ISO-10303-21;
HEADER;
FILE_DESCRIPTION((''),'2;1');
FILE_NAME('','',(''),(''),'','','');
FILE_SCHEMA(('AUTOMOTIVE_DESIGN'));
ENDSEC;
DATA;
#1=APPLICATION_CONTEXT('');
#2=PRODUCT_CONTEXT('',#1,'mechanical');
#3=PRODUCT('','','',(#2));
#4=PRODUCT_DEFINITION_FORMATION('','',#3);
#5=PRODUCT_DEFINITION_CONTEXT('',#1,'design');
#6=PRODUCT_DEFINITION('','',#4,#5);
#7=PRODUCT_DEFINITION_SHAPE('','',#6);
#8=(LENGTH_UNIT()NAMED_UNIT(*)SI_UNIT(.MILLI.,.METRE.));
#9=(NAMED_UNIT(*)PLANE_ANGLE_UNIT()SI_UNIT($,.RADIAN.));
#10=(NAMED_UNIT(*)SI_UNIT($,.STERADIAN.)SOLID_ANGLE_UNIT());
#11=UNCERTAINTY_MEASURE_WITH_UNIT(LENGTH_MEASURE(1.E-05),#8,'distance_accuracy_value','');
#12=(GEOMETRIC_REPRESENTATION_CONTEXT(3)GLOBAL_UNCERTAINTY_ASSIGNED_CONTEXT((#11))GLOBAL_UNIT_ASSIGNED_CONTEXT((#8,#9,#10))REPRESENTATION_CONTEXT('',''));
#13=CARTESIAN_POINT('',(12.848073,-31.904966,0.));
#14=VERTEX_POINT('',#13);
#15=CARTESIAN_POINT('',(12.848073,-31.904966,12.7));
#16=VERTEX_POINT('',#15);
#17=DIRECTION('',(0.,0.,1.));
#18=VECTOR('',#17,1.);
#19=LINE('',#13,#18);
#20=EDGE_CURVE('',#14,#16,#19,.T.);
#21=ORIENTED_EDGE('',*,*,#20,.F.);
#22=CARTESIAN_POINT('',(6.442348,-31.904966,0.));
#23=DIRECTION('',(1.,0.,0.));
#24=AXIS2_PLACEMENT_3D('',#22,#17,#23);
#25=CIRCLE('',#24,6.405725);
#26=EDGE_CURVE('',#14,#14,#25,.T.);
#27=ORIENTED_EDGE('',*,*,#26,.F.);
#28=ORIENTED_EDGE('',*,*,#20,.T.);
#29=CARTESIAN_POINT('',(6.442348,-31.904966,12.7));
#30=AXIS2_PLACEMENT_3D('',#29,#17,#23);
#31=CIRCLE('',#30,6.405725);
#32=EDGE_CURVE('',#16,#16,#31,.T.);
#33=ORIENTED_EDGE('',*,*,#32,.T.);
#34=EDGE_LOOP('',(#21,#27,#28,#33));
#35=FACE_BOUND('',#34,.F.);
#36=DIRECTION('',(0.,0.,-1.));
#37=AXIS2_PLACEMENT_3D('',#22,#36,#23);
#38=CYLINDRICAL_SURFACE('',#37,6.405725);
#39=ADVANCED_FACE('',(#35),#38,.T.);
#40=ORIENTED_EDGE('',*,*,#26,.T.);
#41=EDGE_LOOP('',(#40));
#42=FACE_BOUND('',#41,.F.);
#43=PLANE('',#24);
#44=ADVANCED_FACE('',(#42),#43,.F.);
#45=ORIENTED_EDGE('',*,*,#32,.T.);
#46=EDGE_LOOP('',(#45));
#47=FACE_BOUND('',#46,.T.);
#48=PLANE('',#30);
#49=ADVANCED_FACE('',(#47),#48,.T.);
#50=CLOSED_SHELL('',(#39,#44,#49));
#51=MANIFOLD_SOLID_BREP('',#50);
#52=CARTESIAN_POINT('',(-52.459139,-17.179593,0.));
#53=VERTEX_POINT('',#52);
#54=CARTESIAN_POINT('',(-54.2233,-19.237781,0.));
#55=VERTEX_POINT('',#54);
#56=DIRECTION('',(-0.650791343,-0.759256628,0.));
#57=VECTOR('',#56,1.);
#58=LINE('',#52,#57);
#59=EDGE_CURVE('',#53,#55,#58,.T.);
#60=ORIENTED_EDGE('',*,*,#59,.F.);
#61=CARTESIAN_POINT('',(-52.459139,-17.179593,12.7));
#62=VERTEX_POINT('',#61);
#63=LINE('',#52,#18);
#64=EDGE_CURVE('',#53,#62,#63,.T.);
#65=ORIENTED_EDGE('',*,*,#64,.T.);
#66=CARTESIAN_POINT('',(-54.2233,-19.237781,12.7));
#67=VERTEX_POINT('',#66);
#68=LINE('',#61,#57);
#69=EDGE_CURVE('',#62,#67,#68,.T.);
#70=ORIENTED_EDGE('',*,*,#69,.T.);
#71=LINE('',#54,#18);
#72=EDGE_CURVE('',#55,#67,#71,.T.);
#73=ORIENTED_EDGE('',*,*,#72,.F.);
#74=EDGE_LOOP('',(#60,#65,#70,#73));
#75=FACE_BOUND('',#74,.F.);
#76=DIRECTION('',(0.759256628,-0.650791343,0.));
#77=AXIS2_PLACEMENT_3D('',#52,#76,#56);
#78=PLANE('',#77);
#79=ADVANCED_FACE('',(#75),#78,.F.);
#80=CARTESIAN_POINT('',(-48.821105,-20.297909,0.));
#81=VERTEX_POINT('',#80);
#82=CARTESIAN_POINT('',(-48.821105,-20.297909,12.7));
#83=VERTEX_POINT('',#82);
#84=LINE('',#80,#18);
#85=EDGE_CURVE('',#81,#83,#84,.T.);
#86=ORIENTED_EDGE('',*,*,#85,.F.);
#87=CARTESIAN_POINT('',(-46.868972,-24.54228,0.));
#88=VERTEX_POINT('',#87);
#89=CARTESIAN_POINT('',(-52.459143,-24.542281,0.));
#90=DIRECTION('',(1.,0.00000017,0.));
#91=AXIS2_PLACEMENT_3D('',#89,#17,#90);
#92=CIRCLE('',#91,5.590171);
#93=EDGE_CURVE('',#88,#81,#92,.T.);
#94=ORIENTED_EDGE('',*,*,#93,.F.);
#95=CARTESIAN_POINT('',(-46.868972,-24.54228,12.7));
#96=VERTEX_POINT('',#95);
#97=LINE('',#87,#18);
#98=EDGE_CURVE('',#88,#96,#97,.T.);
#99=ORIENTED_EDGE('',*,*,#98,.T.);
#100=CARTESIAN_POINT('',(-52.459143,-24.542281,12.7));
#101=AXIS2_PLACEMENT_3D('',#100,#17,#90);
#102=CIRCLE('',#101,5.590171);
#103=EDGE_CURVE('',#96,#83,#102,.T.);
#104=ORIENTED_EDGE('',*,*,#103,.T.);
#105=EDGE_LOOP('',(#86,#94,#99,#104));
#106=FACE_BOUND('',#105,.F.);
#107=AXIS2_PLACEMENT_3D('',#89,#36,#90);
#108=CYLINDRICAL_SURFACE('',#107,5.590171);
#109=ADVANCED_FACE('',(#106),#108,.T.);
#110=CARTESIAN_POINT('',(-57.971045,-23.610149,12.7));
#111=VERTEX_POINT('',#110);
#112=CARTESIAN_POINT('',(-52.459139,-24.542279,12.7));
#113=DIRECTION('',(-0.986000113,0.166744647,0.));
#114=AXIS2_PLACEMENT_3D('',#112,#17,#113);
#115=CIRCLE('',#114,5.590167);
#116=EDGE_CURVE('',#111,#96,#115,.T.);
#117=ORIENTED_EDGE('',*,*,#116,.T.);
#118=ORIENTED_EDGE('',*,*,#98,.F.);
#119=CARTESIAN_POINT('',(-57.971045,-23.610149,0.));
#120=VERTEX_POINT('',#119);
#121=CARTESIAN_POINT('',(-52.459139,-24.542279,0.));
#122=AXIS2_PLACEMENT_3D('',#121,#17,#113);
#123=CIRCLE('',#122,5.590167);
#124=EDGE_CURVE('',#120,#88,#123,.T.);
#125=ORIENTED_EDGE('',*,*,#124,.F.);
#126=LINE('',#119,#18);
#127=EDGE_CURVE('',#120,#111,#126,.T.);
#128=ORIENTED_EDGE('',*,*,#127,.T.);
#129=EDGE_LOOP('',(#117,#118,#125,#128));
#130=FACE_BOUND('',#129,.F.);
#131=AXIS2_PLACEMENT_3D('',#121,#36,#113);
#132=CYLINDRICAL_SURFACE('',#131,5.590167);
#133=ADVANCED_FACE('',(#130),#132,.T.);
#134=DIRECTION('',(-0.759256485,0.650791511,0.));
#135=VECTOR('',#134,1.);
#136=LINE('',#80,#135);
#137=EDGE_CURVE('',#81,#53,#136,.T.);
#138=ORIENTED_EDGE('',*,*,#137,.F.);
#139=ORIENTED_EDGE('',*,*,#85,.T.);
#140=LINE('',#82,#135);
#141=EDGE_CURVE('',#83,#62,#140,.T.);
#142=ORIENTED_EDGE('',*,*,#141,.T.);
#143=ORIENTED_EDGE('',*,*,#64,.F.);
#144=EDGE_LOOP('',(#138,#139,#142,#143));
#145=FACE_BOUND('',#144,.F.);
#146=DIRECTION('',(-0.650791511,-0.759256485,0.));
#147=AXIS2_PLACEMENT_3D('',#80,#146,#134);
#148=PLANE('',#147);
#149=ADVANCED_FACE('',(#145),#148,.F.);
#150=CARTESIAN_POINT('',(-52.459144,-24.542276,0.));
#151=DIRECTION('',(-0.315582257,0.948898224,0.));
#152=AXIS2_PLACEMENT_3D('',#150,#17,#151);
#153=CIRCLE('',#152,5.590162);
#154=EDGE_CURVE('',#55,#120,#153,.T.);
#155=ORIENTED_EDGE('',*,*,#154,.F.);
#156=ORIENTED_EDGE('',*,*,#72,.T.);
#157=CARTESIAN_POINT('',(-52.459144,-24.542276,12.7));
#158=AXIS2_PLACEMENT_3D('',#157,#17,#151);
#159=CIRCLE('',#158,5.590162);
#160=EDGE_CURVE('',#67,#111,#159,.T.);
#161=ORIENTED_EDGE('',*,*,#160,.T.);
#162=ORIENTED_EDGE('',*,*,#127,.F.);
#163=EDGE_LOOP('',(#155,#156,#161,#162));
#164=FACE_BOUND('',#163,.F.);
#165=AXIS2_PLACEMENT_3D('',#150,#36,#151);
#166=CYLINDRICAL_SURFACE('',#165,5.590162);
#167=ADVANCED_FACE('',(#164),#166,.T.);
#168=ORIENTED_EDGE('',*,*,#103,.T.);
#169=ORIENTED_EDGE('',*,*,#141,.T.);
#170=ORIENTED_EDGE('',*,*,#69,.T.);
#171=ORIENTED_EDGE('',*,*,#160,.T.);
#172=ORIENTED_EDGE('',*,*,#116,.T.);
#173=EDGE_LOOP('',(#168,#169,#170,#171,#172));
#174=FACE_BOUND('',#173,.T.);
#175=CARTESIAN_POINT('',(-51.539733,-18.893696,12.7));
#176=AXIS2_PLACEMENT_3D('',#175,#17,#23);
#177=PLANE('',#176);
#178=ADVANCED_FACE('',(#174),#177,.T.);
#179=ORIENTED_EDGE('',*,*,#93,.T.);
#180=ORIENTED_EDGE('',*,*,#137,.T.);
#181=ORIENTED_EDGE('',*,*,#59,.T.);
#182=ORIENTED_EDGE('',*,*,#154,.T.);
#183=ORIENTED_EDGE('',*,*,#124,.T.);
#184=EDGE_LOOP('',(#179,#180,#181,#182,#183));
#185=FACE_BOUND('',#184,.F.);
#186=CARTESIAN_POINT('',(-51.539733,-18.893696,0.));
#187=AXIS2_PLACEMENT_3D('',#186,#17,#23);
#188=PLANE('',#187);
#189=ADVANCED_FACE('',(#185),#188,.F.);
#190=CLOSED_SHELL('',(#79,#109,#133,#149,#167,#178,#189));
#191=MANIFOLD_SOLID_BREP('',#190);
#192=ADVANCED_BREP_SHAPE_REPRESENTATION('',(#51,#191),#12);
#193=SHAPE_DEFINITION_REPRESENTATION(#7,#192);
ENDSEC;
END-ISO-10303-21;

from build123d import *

# Parameters (mm, degrees)
F0_R     = 6.405725
F1_DEPTH = 12.7


with BuildPart() as f1:
    # F0 (on Top) → F1 (new body)
    with BuildSketch(Plane.XY):
        with BuildLine():
            ThreePointArc((-54.2233, -19.237781), (-51.382655, -19.056739), (-48.821105, -20.297909))
            Line((-48.821105, -20.297909), (-52.459139, -17.179593))
            Line((-52.459139, -17.179593), (-54.2233, -19.237781))
        make_face()
        with BuildLine():
            ThreePointArc((-46.868972, -24.54228), (-47.3804, -22.206391), (-48.821105, -20.297909))
            ThreePointArc((-48.821105, -20.297909), (-51.382655, -19.056739), (-54.2233, -19.237781))
            Line((-54.2233, -19.237781), (-57.971045, -23.610149))
            ThreePointArc((-57.971045, -23.610149), (-52.926845, -30.112847), (-46.868972, -24.54228))
        make_face()
        with BuildLine():
            Line((-57.971045, -23.610149), (-54.2233, -19.237781))
            ThreePointArc((-54.2233, -19.237781), (-56.703511, -20.904246), (-57.971045, -23.610149))
        make_face()
        with Locations((6.442348, -31.904966)):
            Circle(F0_R)
    extrude(amount=F1_DEPTH)


solid = f1.part
